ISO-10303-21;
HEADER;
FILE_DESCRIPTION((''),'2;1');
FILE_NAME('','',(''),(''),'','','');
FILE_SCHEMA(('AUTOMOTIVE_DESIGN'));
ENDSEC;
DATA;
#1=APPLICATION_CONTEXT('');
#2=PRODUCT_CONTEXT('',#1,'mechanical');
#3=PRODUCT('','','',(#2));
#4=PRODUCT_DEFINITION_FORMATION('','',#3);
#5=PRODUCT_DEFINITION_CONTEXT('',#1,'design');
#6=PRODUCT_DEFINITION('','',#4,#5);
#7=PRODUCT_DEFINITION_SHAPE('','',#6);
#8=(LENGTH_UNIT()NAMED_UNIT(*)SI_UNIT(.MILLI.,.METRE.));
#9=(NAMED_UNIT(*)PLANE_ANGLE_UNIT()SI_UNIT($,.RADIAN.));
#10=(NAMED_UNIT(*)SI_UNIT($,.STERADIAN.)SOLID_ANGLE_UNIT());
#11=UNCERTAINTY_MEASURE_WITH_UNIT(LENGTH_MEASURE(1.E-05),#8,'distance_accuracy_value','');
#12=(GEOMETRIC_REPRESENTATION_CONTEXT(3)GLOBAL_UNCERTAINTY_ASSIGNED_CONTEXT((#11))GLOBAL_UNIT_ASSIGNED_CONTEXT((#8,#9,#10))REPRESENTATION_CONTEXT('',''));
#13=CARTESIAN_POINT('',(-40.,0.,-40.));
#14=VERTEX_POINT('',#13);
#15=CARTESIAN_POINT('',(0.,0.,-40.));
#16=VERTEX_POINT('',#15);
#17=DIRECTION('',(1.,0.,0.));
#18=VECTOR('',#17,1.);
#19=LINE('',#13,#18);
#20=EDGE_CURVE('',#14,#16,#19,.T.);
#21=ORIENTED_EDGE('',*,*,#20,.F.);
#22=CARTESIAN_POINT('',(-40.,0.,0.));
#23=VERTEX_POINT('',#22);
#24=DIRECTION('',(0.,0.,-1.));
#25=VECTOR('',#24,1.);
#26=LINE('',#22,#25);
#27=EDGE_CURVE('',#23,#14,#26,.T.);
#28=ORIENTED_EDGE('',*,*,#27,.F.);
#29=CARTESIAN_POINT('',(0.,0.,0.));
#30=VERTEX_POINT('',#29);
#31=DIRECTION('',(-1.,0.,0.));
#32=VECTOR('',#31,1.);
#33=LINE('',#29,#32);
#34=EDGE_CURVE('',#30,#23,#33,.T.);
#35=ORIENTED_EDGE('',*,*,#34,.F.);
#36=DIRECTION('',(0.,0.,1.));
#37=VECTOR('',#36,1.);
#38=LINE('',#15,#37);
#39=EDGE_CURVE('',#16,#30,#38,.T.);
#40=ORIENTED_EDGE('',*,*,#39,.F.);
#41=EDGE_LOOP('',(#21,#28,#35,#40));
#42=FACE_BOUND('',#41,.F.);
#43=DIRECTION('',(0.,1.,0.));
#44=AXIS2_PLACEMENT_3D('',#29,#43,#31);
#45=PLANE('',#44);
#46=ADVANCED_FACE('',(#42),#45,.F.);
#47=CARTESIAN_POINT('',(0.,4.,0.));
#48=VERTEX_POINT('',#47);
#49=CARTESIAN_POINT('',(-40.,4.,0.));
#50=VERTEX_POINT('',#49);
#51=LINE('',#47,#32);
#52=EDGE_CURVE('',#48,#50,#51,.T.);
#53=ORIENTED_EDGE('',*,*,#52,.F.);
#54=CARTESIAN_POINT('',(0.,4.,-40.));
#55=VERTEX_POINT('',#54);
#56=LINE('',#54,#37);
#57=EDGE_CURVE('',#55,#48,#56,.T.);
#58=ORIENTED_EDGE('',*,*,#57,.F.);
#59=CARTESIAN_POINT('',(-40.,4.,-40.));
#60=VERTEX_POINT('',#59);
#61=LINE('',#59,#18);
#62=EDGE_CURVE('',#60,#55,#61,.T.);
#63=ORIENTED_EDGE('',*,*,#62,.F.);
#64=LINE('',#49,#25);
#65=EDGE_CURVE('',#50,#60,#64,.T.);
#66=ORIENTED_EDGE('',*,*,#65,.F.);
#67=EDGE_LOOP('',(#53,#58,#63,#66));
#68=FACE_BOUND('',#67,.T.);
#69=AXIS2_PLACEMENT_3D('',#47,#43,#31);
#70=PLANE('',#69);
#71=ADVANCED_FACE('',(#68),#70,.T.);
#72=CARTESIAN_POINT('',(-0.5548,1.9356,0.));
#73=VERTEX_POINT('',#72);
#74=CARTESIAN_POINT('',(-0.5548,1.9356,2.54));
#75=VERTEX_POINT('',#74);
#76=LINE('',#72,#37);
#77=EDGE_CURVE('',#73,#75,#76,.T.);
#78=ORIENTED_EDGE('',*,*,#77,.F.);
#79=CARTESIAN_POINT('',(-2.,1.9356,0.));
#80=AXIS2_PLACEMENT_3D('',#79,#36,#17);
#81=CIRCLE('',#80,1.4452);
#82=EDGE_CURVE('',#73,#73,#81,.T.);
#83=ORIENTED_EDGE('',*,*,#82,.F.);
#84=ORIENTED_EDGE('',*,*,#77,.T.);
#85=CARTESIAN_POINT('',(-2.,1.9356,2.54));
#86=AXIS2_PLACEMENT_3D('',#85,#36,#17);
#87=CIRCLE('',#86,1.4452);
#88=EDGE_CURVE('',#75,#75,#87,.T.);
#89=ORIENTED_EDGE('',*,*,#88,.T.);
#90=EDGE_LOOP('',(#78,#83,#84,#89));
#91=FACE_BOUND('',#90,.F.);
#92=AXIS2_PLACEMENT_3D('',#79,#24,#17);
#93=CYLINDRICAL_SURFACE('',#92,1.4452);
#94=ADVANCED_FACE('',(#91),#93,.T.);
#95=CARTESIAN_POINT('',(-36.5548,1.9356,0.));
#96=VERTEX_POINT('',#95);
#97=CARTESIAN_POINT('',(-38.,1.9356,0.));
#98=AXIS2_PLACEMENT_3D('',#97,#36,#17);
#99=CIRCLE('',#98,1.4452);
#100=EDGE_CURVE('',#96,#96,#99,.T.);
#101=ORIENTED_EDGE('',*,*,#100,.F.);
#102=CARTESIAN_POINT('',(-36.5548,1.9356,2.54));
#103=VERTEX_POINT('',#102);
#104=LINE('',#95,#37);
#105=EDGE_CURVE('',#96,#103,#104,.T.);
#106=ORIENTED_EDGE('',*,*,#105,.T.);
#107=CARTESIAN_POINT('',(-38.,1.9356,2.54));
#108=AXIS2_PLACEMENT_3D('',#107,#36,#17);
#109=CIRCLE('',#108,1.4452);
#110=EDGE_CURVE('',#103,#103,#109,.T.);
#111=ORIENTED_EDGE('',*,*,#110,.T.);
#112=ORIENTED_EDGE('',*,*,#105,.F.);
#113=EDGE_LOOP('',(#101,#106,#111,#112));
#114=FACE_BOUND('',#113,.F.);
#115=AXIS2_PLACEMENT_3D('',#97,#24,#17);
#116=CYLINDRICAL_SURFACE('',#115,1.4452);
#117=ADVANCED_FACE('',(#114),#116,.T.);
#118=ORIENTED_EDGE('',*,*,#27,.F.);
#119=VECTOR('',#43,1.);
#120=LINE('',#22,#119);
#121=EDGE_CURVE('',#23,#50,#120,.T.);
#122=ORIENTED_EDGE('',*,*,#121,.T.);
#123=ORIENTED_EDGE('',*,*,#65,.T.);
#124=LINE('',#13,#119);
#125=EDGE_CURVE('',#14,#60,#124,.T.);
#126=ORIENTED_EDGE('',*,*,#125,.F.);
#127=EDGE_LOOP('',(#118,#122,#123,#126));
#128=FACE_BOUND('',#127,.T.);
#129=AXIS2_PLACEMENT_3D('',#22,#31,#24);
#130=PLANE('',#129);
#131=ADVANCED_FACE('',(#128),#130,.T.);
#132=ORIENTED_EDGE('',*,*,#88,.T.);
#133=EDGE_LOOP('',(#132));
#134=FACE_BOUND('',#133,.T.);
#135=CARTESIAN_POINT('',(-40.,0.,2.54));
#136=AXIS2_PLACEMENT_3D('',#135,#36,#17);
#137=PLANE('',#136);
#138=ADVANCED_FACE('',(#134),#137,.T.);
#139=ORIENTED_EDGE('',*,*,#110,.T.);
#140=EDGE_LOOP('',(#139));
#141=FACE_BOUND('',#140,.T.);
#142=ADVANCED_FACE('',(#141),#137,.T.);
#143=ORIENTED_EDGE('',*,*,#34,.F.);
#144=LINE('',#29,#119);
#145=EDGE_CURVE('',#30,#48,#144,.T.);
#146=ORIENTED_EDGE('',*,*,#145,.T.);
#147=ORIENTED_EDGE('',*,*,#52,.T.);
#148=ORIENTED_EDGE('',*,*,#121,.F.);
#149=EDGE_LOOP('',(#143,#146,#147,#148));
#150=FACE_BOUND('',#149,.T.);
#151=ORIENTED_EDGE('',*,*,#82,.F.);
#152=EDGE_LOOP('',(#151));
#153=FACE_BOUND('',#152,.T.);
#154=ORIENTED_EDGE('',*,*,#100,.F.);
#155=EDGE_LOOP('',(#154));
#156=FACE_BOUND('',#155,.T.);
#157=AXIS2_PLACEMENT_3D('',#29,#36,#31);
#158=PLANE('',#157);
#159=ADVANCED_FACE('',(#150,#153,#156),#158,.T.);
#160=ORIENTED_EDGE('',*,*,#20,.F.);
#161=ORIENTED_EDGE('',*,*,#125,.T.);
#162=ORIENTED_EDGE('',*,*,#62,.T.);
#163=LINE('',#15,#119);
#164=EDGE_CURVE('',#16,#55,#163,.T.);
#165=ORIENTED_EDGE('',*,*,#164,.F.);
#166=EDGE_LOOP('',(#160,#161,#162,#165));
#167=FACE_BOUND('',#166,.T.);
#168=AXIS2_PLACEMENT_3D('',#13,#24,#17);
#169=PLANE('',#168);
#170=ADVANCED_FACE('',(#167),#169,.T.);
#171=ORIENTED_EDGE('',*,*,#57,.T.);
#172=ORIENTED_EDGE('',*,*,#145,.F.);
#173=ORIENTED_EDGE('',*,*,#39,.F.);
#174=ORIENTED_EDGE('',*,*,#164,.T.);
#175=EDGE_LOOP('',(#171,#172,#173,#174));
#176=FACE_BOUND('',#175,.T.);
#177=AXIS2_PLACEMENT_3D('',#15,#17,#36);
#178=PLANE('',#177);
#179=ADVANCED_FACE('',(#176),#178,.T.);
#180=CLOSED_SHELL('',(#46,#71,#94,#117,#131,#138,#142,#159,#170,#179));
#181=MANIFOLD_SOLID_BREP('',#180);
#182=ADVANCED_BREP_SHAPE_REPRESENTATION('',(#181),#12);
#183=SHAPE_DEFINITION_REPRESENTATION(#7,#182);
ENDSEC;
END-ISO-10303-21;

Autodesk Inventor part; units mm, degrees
ref_plane "YZ Plane" through (0, 0, 0) normal (1, 0, 0) x (0, 1, 0)
ref_plane "XZ Plane" through (0, 0, 0) normal (0, 1, 0) x (-1, 0, 0)
ref_plane "XY Plane" through (0, 0, 0) normal (0, 0, 1) x (1, 0, 0)
sketch "Sketch1" plane through (0, 0, 0) normal (0, 1, 0) x (-1, 0, 0)
  line L0 (0, 0) -> (40, 0)
  line L1 (40, 0) -> (40, -40)
  line L2 (40, -40) -> (0, -40)
  line L3 (0, -40) -> (0, 0)
  dimension "d0" = 40
extrude "Extrusion1" add sketch "Sketch1" along normal blind 4
sketch "Sketch2" plane through (-40, 0, 0) normal (0, 0, 1) x (1, 0, 0)
  circle A0 centre (2, 1.9356) radius 1.4452
  line L0 (0, 0) -> (0, 4) projected
  line L1 (0, 4) -> (40, 4) projected
  line L2 (20, 17.4012) -> (20, -9.9341)
  circle A1 centre (38, 1.9356) radius 1.4452
  point P0 (40, 0)
  dimension "d3" = 2
  dimension "d4" = 40
  dimension "d5" = 20
extrude "Extrusion2" add sketch "Sketch2" along normal blind 2.54
equation "\"d5\" = 0.5 * d4"
properties part number "SP1848-27145 4.8V Seebeck Thermoelectric Power Generator TEG Peltier Module"
